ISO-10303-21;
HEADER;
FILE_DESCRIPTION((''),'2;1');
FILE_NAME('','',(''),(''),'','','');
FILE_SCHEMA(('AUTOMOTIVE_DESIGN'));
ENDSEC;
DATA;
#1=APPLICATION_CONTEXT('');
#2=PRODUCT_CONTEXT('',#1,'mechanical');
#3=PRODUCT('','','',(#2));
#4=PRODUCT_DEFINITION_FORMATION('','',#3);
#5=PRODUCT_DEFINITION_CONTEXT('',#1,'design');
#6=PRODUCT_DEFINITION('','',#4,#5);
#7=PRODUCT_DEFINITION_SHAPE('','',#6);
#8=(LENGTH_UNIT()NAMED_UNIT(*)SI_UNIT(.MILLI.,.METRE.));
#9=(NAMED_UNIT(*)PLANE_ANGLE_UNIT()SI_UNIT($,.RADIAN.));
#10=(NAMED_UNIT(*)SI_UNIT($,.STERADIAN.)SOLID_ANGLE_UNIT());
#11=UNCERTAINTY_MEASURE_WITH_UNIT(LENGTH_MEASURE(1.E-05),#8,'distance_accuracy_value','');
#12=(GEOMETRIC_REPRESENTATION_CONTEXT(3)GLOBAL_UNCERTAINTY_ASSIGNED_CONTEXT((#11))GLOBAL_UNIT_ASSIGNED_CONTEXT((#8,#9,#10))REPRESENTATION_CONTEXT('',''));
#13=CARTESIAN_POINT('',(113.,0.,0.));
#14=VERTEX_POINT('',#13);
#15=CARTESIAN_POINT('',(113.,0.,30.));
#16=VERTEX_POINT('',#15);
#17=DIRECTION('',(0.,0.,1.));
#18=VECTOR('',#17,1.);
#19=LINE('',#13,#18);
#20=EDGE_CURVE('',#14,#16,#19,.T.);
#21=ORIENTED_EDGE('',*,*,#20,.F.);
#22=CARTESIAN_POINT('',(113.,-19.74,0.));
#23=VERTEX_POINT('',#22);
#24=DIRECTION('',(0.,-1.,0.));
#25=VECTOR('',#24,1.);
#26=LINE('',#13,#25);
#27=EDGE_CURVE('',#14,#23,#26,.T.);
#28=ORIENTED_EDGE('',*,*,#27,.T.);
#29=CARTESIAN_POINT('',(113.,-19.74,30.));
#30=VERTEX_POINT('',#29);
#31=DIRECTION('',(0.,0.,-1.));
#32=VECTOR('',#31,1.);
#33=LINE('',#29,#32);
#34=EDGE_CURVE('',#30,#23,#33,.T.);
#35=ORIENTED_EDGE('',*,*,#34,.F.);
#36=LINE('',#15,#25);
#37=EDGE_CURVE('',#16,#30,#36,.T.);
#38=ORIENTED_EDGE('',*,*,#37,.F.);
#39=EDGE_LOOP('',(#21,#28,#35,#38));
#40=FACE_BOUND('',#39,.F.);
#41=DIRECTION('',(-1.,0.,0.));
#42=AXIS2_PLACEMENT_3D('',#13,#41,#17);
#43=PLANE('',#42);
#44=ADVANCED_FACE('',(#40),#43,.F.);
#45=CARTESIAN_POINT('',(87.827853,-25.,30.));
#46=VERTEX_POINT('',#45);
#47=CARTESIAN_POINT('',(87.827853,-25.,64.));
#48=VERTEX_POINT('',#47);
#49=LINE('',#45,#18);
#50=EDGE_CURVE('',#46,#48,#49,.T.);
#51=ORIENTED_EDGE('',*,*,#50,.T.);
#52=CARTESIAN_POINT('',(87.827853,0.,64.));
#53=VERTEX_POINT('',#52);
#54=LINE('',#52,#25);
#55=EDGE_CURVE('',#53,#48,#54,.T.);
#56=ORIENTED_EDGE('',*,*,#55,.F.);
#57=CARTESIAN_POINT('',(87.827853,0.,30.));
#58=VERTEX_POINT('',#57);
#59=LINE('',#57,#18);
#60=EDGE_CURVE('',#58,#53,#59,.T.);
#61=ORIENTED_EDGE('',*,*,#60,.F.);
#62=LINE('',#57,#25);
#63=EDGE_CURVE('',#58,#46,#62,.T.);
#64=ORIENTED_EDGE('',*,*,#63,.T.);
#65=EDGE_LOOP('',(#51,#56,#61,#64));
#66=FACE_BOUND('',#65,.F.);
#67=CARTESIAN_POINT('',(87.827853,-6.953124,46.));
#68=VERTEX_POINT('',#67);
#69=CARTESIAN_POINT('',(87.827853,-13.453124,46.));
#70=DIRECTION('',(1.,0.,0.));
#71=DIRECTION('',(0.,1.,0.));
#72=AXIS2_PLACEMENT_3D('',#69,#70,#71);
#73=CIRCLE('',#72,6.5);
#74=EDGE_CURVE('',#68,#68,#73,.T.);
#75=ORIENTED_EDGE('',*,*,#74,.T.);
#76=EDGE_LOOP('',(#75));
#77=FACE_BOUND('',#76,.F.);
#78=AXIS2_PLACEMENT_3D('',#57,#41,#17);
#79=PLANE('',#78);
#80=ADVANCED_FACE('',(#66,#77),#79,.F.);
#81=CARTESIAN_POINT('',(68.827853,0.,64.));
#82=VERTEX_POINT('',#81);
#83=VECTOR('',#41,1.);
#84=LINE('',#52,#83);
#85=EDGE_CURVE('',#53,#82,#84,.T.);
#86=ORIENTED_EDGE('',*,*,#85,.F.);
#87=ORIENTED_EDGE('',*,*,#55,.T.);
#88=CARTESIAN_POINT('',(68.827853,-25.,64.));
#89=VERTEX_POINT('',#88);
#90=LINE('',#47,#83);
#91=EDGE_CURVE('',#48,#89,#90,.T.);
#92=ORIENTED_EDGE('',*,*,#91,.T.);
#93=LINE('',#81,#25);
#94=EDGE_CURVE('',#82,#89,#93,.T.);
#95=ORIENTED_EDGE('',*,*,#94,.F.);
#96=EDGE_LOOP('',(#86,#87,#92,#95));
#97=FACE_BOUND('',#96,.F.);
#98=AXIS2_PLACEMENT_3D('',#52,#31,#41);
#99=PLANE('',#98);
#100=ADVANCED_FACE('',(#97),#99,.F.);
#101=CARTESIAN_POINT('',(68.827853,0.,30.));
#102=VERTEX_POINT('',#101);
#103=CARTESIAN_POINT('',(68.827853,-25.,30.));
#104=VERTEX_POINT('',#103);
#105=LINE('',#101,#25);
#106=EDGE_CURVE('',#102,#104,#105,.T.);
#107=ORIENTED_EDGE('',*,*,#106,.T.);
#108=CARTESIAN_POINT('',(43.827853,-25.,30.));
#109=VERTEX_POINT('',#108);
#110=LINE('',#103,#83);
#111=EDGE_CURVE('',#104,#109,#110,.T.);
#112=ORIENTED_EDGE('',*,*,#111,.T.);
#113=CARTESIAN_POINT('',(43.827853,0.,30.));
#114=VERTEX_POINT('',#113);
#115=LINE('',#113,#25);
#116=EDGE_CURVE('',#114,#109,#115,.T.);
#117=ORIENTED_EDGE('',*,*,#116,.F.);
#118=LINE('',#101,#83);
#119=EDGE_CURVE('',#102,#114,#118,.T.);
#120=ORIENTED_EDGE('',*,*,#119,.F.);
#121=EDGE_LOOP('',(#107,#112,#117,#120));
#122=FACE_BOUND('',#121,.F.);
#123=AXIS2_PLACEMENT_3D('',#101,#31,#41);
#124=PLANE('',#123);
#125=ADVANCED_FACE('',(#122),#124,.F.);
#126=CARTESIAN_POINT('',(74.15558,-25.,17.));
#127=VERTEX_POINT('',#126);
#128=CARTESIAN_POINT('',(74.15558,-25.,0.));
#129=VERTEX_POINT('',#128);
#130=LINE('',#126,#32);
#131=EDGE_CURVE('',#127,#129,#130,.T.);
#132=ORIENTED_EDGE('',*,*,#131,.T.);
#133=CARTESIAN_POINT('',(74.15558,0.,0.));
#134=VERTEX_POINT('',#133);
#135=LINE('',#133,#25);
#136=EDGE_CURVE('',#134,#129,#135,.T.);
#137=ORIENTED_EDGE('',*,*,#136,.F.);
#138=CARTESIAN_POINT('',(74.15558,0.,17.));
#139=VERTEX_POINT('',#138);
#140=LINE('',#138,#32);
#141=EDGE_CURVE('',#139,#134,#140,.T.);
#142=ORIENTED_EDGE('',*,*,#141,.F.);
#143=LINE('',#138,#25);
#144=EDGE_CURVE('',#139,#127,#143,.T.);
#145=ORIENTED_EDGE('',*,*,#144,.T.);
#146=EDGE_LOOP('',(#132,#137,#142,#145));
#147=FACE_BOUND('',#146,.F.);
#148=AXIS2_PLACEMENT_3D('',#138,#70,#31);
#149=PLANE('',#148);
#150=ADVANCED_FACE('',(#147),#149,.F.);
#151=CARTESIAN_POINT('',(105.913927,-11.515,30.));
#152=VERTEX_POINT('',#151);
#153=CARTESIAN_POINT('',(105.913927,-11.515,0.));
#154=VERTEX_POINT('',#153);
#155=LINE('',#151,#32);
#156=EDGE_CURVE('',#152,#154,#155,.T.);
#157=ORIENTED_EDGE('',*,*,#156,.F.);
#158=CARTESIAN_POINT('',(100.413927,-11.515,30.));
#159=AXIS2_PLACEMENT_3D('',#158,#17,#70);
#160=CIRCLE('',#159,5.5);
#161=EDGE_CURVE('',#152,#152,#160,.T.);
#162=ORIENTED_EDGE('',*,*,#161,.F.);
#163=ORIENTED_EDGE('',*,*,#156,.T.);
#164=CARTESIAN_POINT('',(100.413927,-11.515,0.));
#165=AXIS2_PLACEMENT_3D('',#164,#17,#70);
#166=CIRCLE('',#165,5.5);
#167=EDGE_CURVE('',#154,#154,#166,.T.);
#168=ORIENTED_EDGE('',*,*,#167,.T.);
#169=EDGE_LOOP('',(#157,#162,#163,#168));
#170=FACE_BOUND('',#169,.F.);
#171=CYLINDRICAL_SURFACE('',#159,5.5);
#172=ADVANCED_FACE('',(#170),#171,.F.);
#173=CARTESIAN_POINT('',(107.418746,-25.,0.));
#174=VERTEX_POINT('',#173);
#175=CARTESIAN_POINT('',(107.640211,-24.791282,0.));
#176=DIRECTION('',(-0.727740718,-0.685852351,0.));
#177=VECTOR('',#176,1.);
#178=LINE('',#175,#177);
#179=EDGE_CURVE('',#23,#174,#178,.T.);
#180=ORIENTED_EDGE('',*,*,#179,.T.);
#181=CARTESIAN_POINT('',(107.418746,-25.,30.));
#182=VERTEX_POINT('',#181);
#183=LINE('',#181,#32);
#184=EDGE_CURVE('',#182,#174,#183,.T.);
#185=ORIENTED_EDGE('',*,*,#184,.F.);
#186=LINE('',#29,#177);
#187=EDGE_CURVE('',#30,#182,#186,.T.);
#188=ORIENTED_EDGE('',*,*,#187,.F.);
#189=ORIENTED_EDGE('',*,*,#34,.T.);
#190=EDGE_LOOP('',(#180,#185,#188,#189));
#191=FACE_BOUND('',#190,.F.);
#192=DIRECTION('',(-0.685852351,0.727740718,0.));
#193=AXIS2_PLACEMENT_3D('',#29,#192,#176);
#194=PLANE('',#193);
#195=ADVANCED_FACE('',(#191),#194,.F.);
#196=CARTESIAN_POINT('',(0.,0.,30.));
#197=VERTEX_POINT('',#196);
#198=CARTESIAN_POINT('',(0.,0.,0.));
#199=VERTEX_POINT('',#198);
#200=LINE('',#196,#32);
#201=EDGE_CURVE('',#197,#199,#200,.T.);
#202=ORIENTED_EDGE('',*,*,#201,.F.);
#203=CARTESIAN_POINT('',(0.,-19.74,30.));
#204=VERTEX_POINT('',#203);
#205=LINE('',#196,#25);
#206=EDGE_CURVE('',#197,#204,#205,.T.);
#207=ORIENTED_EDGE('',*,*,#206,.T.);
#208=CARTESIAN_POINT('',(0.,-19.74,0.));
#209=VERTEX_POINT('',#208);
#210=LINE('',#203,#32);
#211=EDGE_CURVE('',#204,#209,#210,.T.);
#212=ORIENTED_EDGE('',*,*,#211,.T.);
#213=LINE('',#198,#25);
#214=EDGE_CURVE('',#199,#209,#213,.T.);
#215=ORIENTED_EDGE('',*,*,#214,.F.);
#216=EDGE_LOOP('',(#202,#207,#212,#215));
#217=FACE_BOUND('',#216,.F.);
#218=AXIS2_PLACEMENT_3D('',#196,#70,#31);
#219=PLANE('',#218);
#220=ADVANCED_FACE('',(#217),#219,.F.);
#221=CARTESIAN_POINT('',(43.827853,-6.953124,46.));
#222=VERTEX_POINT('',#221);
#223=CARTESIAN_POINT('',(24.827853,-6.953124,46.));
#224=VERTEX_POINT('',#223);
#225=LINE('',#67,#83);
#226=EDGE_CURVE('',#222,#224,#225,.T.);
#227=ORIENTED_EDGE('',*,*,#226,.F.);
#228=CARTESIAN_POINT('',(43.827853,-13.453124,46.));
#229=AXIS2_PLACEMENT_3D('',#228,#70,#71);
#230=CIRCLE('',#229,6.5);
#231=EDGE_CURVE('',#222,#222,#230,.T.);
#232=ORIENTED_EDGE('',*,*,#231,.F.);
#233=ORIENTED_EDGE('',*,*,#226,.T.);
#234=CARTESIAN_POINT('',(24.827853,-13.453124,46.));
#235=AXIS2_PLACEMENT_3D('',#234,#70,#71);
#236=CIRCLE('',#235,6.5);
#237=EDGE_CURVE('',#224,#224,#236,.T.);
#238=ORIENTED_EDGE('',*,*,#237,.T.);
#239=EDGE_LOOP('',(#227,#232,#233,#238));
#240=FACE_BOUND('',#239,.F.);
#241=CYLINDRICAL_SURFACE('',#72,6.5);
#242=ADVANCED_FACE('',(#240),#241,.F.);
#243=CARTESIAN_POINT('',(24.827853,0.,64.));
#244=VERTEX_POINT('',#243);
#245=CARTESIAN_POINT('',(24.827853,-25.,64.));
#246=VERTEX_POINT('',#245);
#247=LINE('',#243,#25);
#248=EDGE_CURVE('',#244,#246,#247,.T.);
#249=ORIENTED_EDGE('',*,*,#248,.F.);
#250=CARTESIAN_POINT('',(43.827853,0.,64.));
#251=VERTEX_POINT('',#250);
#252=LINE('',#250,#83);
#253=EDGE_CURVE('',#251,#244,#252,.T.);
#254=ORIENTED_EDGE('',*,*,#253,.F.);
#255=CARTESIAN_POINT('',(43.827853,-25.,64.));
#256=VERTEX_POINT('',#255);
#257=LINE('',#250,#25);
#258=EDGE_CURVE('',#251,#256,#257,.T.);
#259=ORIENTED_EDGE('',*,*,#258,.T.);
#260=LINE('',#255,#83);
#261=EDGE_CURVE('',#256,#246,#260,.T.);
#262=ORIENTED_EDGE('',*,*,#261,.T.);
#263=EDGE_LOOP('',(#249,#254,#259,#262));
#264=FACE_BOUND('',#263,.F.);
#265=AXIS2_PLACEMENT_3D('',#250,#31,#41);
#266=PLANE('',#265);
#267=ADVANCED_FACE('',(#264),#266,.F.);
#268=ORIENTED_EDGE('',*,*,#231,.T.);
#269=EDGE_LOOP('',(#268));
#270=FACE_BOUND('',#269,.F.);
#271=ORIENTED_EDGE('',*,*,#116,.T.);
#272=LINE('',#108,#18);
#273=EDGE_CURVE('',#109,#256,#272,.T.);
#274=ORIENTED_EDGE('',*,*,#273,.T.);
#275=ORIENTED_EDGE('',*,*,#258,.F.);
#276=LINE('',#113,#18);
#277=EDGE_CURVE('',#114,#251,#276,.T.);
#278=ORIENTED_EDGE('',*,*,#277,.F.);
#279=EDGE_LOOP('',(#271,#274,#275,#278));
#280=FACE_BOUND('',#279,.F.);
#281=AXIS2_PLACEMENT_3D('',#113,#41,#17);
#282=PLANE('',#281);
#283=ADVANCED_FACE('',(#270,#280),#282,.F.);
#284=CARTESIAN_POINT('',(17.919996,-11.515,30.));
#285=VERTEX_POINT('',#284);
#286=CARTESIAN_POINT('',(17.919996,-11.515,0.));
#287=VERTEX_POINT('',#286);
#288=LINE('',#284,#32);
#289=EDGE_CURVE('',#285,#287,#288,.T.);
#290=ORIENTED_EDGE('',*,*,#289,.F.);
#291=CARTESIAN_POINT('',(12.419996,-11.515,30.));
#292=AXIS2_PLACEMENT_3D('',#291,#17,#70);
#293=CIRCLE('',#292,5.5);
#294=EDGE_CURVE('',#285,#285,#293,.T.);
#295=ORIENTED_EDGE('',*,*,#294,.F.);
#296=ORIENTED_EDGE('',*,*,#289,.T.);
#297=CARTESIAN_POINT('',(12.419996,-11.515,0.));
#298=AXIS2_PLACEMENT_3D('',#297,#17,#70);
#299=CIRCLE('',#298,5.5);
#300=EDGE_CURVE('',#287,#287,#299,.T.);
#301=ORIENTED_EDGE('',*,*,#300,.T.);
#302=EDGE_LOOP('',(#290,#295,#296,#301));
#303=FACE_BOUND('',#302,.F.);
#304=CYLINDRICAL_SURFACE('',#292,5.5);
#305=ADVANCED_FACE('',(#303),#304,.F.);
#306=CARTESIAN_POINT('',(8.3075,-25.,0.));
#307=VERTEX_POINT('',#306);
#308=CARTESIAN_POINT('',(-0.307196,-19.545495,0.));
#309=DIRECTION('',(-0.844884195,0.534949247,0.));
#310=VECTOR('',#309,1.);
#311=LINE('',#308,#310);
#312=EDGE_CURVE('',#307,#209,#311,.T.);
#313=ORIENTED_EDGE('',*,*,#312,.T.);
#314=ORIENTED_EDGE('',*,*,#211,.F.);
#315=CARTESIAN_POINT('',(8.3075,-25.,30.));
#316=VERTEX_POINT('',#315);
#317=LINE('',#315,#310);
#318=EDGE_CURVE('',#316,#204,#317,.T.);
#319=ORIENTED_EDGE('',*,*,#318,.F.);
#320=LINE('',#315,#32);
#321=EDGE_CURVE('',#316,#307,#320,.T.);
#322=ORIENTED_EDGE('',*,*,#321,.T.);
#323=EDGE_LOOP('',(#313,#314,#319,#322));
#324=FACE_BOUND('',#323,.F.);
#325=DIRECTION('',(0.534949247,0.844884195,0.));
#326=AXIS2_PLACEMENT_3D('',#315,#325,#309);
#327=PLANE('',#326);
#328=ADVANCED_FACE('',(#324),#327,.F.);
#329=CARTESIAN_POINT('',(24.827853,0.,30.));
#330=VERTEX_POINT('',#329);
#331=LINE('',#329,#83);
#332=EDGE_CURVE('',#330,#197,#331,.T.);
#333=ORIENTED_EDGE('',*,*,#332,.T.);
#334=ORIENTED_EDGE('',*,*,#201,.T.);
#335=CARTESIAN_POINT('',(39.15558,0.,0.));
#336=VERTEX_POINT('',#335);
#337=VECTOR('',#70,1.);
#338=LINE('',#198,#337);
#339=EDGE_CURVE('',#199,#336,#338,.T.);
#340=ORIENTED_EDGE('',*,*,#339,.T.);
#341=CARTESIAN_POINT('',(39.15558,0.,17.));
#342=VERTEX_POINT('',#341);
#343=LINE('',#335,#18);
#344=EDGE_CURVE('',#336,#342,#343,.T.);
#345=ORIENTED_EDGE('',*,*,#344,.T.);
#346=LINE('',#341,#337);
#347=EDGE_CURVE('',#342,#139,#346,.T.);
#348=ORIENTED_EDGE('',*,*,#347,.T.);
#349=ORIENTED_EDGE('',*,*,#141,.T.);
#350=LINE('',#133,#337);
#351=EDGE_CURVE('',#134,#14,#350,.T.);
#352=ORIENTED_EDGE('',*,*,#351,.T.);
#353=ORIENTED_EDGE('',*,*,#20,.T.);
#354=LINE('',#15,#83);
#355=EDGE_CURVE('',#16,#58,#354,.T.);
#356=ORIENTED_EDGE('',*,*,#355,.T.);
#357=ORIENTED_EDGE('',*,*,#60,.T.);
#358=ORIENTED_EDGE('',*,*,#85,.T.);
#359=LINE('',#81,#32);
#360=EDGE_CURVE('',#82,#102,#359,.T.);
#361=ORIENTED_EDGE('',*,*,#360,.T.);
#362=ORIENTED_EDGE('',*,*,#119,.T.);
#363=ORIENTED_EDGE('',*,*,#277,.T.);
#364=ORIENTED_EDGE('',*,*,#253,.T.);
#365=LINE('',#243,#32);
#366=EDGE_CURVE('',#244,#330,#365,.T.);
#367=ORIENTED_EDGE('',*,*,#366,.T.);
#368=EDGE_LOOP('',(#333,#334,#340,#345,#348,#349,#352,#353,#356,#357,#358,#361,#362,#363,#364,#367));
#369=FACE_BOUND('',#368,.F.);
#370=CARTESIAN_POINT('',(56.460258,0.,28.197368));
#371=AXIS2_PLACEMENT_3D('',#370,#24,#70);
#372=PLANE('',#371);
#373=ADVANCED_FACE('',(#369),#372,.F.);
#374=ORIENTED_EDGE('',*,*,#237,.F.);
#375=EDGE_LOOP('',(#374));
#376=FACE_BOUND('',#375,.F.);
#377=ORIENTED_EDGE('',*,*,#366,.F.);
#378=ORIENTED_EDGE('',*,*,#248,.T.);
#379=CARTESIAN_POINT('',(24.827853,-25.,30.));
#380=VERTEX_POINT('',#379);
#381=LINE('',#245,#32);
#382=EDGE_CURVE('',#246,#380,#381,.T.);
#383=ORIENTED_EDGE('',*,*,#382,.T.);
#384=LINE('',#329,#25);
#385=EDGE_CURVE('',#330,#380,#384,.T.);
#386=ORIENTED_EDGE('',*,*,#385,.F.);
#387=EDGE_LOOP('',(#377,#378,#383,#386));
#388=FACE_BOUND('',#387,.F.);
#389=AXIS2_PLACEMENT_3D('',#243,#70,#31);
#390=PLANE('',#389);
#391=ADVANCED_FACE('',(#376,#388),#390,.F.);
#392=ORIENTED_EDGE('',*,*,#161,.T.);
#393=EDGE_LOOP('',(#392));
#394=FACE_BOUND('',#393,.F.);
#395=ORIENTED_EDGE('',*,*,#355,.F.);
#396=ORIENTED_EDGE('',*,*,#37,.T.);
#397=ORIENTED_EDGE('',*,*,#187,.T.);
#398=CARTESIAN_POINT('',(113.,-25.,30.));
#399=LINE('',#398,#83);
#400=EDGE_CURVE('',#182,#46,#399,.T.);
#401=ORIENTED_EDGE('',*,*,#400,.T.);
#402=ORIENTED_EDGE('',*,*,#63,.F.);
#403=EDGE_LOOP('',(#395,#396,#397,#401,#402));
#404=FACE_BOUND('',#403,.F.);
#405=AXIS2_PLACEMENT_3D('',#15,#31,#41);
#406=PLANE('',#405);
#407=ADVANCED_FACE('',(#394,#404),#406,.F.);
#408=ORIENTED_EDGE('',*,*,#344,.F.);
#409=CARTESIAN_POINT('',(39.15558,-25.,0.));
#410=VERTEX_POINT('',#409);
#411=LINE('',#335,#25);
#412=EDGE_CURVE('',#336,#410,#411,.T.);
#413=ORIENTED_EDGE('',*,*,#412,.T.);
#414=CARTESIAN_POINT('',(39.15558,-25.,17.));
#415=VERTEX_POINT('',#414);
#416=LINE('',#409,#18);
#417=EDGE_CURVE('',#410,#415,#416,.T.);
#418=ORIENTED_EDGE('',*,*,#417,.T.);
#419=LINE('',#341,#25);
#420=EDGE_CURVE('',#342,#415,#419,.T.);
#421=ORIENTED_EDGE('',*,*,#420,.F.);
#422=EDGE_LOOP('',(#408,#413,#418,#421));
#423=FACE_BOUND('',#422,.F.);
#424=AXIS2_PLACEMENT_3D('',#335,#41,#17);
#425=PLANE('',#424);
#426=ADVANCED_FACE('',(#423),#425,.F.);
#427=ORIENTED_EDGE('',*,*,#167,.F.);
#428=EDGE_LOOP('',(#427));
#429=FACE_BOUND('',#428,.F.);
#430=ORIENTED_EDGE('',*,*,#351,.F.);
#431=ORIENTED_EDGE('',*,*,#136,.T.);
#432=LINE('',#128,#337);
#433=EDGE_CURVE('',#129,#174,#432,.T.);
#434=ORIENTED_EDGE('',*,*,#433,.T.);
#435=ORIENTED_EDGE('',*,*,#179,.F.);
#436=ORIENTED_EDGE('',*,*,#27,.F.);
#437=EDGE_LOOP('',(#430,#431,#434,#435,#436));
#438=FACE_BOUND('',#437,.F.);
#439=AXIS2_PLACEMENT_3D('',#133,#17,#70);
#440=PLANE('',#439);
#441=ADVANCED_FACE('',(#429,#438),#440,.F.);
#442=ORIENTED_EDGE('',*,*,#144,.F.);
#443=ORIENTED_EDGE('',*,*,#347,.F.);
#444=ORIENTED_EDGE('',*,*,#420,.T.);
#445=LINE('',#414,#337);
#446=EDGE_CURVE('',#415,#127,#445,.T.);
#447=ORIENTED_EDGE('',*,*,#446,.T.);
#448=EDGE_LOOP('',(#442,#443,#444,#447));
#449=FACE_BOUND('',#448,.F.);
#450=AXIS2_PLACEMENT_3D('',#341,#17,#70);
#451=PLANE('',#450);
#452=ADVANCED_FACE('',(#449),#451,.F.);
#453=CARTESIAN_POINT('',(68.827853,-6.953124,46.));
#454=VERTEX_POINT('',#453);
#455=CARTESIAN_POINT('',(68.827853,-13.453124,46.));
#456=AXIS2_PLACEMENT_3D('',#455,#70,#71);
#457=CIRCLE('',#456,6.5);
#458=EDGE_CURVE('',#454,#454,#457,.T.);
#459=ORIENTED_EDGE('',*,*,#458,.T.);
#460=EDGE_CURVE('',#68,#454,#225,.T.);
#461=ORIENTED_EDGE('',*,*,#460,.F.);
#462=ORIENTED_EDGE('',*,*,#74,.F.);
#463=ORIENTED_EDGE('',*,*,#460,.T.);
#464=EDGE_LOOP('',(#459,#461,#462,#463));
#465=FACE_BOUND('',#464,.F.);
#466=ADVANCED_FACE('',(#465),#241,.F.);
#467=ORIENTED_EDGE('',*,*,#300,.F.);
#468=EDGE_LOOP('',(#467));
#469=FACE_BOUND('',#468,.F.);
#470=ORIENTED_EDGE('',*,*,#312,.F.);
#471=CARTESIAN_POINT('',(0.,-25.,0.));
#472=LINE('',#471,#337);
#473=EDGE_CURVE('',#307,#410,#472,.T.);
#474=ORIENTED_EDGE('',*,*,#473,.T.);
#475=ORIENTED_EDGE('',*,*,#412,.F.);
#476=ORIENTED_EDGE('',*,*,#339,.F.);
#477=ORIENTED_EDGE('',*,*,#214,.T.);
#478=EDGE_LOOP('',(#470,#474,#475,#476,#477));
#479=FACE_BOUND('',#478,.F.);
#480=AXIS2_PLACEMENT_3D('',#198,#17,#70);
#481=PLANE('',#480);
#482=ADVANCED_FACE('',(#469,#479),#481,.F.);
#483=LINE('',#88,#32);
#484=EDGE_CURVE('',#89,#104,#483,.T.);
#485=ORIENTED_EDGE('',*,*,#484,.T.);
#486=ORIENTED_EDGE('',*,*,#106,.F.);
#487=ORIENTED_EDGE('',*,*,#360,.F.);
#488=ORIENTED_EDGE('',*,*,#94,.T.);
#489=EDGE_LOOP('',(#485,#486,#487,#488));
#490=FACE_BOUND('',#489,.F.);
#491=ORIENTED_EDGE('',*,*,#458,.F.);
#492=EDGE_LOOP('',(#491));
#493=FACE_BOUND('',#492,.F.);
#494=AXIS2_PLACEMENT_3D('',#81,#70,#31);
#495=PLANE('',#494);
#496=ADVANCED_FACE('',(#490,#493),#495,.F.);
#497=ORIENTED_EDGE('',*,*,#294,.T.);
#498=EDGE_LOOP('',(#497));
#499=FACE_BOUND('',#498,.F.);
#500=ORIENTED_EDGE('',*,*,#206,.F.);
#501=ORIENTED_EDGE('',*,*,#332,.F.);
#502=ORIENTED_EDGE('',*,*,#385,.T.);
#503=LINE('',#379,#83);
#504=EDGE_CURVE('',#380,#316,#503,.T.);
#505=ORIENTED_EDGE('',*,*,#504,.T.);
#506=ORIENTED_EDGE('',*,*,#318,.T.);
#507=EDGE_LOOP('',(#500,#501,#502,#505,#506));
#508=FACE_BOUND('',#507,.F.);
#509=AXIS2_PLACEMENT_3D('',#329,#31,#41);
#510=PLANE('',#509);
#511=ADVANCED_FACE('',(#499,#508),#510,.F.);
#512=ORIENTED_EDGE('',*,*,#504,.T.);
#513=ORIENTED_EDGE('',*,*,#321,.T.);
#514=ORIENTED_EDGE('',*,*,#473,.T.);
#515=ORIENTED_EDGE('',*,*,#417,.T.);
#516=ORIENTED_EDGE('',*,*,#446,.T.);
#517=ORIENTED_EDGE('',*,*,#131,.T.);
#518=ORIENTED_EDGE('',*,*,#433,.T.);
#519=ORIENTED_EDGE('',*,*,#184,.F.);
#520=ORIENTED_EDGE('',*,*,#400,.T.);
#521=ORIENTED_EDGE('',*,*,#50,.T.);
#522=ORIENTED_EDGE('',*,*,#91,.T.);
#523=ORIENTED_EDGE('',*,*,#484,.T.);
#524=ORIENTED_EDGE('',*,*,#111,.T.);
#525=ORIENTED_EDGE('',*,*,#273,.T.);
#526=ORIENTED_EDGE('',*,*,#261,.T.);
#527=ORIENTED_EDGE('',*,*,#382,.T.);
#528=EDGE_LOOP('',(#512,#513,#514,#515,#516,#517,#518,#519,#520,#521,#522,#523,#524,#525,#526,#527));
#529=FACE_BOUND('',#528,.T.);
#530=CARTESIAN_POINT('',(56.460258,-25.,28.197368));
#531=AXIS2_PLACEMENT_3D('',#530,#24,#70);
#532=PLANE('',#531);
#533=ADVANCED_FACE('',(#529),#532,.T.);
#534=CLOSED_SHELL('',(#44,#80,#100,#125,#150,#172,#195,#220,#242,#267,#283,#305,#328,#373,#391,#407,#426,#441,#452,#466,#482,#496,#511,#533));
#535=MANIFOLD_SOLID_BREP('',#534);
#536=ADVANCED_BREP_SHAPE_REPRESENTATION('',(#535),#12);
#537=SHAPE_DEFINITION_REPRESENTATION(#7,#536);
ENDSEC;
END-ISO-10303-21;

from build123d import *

# Parameters (mm, degrees)
F1_DEPTH = 25
F3_R     = 6.5
F4_DEPTH = 87.828853
F5_DEPTH = 30.001
F2_R     = 5.5
F6_DEPTH = 30.001


with BuildPart() as f1:
    # F0 (on Front) → F1 (new body)
    with BuildSketch(Plane.XZ):
        Polygon((0, 30), (0, 0), (39.15558, 0), (39.15558, 17), (74.15558, 17), (74.15558, 0), (113, 0), (113, 30), (87.827853, 30), (87.827853, 64), (68.827853, 64), (68.827853, 30), (43.827853, 30), (43.827853, 64), (24.827853, 64), (24.827853, 30), align=None)
    extrude(amount=F1_DEPTH)

    # F3 (on face) → F4 (cut, through all)
    with BuildSketch(Plane.YZ.offset(87.827853)):
        with Locations((-13.453124, 46)):
            Circle(F3_R)
    extrude(amount=-F4_DEPTH, mode=Mode.SUBTRACT)

    # F2 (on face) → F5 (cut, through all)
    with BuildSketch(Plane.XY.offset(30)):
        Polygon((0, -25), (8.3075, -25), (0, -19.74), align=None)
        Polygon((113, -19.74), (107.418746, -25), (113, -25), align=None)
    extrude(amount=-F5_DEPTH, mode=Mode.SUBTRACT)

    # F2 (on face) → F6 (cut, through all)
    with BuildSketch(Plane.XY.offset(30)):
        Polygon((113, -19.74), (107.418746, -25), (113, -25), align=None)
        Polygon((0, -25), (8.3075, -25), (0, -19.74), align=None)
        with Locations((12.419996, -11.515)):
            Circle(F2_R)
        with Locations((100.413927, -11.515)):
            Circle(F2_R)
    extrude(amount=-F6_DEPTH, mode=Mode.SUBTRACT)


solid = f1.part
